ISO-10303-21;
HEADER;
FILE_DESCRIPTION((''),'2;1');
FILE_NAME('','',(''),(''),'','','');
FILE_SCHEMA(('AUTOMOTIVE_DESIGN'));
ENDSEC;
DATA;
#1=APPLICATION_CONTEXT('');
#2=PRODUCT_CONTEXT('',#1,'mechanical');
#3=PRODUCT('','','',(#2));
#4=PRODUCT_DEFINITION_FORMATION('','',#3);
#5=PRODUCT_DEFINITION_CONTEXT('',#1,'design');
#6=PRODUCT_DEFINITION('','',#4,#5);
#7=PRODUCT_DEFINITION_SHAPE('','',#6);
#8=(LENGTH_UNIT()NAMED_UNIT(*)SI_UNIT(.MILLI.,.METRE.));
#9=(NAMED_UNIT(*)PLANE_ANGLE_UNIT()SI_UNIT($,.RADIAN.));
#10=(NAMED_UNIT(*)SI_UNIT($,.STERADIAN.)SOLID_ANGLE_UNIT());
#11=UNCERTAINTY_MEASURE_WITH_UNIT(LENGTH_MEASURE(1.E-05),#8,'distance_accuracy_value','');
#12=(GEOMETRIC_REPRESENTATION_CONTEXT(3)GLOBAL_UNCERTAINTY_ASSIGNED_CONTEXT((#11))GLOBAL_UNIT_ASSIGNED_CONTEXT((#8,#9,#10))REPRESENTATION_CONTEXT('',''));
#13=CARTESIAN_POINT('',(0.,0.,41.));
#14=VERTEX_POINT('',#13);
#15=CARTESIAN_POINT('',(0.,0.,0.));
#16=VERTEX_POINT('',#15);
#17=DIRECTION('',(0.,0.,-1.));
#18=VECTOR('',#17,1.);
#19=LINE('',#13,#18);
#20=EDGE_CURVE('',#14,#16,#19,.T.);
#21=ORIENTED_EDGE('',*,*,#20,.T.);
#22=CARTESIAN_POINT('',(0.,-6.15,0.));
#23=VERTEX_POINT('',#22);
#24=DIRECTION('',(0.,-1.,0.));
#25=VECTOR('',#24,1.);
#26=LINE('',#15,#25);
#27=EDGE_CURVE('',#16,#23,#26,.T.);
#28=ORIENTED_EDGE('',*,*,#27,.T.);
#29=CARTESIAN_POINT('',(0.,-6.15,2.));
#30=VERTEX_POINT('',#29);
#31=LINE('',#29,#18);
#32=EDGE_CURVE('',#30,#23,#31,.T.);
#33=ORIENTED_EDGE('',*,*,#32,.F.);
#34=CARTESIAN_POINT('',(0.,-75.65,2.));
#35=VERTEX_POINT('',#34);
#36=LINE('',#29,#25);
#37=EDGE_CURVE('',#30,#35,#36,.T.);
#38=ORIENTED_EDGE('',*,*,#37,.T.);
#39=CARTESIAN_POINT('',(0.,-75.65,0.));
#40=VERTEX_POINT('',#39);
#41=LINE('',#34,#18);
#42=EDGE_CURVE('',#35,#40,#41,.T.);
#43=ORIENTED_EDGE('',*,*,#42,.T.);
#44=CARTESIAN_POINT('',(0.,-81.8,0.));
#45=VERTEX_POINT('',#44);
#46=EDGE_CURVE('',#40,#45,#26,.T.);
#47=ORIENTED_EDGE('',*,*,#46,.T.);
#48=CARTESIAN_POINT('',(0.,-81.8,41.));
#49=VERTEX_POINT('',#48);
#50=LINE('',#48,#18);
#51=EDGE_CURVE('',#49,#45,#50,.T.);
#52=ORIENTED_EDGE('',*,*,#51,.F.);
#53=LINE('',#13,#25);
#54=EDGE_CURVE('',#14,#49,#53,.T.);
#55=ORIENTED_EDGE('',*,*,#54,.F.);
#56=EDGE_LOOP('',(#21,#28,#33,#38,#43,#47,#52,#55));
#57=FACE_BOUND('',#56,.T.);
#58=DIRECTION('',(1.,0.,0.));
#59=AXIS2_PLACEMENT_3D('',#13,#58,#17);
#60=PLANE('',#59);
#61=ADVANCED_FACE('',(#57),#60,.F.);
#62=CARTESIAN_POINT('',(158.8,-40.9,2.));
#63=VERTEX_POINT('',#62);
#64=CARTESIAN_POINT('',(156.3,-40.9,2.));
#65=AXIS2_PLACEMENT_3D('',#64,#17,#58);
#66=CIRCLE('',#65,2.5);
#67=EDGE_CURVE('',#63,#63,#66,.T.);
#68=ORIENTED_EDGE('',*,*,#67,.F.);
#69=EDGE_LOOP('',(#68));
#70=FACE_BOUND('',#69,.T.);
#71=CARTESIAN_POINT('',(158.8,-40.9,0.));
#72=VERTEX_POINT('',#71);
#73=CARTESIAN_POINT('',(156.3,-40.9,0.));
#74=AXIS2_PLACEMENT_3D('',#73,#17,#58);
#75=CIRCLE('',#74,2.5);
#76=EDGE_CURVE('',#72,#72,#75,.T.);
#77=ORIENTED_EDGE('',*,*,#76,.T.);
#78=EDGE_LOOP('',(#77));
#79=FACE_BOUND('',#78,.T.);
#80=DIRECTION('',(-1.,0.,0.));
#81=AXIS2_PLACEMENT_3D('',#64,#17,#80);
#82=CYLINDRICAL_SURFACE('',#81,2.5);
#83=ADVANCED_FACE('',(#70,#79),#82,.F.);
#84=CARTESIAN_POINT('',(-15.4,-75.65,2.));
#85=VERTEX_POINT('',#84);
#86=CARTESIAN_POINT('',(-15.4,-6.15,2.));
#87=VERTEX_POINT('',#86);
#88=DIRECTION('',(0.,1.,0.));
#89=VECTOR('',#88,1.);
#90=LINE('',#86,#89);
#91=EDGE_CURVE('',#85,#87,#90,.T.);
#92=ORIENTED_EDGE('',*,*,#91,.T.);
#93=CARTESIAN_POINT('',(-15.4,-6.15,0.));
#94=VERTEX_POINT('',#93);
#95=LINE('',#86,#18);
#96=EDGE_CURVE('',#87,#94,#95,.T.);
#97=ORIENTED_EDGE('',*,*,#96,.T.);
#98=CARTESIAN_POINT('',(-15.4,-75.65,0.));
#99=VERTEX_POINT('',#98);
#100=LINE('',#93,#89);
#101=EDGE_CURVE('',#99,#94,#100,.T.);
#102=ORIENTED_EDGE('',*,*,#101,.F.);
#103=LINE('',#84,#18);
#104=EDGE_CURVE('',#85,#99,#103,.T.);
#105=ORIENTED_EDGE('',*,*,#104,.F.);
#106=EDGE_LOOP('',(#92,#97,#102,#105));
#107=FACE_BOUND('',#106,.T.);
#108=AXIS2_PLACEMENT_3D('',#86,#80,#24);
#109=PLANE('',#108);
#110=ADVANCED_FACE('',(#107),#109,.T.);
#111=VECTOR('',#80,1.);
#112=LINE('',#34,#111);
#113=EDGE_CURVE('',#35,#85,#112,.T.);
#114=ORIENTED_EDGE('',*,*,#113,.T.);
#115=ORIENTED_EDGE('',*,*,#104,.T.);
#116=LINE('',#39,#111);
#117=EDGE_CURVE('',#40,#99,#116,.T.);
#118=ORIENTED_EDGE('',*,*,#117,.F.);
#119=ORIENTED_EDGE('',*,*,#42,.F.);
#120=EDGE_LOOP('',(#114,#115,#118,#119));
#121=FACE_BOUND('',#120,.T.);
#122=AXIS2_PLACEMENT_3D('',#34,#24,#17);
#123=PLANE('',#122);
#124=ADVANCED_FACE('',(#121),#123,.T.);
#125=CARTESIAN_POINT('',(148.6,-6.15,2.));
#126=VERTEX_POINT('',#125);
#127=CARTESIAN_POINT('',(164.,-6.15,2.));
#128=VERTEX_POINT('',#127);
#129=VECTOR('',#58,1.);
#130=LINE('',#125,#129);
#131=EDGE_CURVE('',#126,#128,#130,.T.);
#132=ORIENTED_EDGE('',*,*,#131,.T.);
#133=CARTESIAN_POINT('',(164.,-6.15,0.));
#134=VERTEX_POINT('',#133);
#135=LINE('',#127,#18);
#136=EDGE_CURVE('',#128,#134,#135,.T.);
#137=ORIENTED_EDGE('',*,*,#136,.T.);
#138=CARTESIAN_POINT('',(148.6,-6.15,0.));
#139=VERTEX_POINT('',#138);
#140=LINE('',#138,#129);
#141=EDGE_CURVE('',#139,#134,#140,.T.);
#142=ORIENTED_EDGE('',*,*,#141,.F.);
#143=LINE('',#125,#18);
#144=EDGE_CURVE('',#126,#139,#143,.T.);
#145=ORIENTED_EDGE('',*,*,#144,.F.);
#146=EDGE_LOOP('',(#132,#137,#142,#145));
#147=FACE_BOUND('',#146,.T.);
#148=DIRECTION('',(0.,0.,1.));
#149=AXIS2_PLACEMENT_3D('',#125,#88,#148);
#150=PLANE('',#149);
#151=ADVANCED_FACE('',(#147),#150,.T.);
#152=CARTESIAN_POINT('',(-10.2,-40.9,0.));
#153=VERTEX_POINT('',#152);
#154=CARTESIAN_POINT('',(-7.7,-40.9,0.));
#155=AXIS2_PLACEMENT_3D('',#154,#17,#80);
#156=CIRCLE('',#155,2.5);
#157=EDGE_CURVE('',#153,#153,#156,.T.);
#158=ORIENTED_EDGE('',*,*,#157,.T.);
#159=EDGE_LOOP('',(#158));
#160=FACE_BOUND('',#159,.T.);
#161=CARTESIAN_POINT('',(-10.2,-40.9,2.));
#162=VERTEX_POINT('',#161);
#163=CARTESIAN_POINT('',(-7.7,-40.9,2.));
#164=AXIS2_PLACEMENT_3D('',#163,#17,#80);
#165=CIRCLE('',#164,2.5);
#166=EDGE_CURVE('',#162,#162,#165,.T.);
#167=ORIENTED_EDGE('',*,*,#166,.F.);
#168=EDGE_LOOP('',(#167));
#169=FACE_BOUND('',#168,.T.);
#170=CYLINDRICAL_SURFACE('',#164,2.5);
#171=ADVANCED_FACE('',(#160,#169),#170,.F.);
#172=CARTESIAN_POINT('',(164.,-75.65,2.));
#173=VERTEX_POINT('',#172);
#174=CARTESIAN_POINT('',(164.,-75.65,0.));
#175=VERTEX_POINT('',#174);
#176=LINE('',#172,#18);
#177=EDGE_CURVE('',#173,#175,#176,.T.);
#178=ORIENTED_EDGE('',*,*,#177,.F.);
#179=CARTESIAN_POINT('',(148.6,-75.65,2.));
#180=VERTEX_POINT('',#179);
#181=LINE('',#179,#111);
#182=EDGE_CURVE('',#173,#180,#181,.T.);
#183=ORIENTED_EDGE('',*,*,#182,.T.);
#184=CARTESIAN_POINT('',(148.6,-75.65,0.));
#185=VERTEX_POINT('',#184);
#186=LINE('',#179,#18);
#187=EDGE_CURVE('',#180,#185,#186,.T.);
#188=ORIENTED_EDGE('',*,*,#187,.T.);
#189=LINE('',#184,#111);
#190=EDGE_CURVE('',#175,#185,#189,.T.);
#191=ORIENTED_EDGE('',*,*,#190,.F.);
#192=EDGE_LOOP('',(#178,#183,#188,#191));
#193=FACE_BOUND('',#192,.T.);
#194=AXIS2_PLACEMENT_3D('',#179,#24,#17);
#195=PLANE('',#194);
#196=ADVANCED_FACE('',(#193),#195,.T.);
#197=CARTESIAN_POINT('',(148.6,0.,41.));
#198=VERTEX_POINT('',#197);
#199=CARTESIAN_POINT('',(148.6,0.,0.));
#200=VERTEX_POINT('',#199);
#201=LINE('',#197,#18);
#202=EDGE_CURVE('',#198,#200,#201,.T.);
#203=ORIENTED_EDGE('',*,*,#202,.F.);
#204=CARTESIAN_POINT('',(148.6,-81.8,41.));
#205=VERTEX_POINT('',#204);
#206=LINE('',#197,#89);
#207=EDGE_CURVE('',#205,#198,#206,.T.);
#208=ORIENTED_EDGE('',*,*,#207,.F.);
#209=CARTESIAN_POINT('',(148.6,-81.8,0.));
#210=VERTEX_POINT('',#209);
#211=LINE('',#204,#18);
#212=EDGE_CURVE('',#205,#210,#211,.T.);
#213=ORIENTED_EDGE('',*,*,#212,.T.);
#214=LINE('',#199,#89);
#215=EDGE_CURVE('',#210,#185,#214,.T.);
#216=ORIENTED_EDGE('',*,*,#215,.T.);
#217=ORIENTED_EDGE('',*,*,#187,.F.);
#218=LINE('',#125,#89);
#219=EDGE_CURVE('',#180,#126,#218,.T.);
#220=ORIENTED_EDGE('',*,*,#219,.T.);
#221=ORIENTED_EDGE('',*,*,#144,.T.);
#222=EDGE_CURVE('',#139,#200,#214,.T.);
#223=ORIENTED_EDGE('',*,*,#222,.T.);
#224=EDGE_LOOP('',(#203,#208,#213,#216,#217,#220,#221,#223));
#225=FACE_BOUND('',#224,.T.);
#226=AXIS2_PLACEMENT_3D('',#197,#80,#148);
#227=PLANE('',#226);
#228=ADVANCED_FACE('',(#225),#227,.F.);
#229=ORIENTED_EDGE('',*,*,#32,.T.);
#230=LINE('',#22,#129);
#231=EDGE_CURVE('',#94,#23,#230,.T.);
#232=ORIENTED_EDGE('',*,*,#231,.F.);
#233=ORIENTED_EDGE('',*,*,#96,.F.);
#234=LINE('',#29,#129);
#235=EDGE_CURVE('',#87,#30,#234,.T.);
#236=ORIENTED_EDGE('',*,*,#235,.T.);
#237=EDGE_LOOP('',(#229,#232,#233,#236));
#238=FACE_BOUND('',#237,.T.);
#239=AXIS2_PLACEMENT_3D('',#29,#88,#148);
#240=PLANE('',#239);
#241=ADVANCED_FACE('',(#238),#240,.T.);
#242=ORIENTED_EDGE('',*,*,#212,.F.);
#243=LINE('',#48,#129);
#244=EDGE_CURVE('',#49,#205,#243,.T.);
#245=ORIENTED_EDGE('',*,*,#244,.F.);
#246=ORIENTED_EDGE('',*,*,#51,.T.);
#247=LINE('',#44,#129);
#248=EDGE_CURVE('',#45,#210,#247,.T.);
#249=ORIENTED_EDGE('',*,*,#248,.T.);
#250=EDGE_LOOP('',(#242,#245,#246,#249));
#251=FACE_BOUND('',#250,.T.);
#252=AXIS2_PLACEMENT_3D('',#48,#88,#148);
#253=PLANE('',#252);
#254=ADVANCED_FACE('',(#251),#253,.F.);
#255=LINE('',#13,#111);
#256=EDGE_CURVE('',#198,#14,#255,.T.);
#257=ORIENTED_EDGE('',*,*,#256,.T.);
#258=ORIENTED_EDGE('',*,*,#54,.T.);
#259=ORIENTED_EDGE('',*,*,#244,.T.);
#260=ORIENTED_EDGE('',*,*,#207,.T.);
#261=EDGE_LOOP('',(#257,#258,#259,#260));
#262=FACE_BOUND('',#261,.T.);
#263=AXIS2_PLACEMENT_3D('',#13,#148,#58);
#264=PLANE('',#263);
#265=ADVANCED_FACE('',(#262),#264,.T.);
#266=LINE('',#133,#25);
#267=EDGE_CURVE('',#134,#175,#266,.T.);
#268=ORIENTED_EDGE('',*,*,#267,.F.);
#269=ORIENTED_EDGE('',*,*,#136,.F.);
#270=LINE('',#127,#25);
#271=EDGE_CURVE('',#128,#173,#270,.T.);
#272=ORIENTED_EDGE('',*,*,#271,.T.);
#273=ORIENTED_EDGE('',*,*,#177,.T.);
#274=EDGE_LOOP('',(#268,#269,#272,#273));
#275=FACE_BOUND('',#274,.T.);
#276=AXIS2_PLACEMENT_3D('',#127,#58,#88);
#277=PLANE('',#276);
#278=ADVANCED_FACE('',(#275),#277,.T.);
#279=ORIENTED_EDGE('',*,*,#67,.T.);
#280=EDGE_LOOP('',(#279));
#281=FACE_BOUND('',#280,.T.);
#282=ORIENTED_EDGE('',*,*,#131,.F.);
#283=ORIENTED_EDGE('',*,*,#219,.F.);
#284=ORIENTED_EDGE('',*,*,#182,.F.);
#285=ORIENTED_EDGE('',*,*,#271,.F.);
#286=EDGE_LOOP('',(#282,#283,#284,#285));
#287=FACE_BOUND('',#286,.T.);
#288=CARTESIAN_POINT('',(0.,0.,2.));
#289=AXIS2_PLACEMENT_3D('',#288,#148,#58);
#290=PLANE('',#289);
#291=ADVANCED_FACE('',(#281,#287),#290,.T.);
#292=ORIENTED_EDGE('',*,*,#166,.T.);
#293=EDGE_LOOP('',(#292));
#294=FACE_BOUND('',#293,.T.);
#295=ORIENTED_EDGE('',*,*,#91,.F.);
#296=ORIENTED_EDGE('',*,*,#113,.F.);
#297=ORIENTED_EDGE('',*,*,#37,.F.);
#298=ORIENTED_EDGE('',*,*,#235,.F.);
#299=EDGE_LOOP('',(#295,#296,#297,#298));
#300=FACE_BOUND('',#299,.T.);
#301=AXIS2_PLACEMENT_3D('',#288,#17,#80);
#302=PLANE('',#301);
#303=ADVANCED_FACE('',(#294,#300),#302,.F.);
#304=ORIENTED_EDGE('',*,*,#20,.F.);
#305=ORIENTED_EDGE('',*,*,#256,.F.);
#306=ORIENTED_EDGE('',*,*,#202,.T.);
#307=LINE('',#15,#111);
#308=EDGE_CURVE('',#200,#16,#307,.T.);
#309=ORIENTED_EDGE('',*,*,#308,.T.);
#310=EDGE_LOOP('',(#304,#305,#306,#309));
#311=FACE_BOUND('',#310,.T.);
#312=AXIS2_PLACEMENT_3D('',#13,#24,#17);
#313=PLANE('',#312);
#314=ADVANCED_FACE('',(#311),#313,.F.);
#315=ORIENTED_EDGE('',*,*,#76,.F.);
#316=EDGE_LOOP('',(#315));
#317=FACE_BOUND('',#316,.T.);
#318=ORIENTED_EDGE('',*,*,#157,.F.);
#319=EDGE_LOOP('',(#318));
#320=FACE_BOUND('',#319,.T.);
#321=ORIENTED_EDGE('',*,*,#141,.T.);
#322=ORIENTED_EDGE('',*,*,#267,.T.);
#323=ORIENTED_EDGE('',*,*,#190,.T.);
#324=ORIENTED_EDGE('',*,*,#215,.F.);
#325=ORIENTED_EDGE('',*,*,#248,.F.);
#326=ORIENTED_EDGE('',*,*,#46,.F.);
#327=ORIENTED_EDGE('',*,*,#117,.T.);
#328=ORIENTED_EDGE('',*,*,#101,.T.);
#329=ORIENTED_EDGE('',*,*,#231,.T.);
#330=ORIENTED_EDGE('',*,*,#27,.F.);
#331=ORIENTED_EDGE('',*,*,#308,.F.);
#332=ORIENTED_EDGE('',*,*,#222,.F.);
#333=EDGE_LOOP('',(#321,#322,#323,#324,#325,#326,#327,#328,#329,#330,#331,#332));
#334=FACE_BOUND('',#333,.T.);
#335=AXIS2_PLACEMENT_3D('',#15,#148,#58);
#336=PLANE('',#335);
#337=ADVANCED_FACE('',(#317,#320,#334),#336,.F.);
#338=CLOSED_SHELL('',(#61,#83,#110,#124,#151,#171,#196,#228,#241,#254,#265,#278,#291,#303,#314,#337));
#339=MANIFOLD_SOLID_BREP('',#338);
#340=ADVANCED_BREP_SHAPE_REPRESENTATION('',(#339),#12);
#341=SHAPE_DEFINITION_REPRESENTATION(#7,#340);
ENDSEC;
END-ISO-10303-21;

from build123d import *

# Parameters (mm, degrees)
SKETCH1_W           = 148.6
SKETCH1_H           = 81.8
BOSS_EXTRUDE1_DEPTH = 41
SKETCH2_W           = 15.4
SKETCH2_H           = 69.5
SKETCH2_R           = 2.5
BOSS_EXTRUDE2_DEPTH = 2


with BuildPart() as part:
    # Sketch1 → Boss-Extrude1 (new body)
    with BuildSketch(Plane.XY):
        with Locations((74.3, -40.9)):
            Rectangle(SKETCH1_W, SKETCH1_H)
    extrude(amount=BOSS_EXTRUDE1_DEPTH)

    # Sketch2 → Boss-Extrude2 (add)
    with BuildSketch(Plane(origin=(0, 0, 0), x_dir=(-1, 0, 0), z_dir=(0, 0, -1))):
        with Locations((7.7, -40.9)):
            Rectangle(SKETCH2_W, SKETCH2_H)
        with Locations((7.7, -40.9)):
            Circle(SKETCH2_R, mode=Mode.SUBTRACT)
        with Locations((-156.3, -40.9)):
            Rectangle(SKETCH2_W, SKETCH2_H)
        with Locations((-156.3, -40.9)):
            Circle(SKETCH2_R, mode=Mode.SUBTRACT)
    extrude(amount=-BOSS_EXTRUDE2_DEPTH)


solid = part.part
